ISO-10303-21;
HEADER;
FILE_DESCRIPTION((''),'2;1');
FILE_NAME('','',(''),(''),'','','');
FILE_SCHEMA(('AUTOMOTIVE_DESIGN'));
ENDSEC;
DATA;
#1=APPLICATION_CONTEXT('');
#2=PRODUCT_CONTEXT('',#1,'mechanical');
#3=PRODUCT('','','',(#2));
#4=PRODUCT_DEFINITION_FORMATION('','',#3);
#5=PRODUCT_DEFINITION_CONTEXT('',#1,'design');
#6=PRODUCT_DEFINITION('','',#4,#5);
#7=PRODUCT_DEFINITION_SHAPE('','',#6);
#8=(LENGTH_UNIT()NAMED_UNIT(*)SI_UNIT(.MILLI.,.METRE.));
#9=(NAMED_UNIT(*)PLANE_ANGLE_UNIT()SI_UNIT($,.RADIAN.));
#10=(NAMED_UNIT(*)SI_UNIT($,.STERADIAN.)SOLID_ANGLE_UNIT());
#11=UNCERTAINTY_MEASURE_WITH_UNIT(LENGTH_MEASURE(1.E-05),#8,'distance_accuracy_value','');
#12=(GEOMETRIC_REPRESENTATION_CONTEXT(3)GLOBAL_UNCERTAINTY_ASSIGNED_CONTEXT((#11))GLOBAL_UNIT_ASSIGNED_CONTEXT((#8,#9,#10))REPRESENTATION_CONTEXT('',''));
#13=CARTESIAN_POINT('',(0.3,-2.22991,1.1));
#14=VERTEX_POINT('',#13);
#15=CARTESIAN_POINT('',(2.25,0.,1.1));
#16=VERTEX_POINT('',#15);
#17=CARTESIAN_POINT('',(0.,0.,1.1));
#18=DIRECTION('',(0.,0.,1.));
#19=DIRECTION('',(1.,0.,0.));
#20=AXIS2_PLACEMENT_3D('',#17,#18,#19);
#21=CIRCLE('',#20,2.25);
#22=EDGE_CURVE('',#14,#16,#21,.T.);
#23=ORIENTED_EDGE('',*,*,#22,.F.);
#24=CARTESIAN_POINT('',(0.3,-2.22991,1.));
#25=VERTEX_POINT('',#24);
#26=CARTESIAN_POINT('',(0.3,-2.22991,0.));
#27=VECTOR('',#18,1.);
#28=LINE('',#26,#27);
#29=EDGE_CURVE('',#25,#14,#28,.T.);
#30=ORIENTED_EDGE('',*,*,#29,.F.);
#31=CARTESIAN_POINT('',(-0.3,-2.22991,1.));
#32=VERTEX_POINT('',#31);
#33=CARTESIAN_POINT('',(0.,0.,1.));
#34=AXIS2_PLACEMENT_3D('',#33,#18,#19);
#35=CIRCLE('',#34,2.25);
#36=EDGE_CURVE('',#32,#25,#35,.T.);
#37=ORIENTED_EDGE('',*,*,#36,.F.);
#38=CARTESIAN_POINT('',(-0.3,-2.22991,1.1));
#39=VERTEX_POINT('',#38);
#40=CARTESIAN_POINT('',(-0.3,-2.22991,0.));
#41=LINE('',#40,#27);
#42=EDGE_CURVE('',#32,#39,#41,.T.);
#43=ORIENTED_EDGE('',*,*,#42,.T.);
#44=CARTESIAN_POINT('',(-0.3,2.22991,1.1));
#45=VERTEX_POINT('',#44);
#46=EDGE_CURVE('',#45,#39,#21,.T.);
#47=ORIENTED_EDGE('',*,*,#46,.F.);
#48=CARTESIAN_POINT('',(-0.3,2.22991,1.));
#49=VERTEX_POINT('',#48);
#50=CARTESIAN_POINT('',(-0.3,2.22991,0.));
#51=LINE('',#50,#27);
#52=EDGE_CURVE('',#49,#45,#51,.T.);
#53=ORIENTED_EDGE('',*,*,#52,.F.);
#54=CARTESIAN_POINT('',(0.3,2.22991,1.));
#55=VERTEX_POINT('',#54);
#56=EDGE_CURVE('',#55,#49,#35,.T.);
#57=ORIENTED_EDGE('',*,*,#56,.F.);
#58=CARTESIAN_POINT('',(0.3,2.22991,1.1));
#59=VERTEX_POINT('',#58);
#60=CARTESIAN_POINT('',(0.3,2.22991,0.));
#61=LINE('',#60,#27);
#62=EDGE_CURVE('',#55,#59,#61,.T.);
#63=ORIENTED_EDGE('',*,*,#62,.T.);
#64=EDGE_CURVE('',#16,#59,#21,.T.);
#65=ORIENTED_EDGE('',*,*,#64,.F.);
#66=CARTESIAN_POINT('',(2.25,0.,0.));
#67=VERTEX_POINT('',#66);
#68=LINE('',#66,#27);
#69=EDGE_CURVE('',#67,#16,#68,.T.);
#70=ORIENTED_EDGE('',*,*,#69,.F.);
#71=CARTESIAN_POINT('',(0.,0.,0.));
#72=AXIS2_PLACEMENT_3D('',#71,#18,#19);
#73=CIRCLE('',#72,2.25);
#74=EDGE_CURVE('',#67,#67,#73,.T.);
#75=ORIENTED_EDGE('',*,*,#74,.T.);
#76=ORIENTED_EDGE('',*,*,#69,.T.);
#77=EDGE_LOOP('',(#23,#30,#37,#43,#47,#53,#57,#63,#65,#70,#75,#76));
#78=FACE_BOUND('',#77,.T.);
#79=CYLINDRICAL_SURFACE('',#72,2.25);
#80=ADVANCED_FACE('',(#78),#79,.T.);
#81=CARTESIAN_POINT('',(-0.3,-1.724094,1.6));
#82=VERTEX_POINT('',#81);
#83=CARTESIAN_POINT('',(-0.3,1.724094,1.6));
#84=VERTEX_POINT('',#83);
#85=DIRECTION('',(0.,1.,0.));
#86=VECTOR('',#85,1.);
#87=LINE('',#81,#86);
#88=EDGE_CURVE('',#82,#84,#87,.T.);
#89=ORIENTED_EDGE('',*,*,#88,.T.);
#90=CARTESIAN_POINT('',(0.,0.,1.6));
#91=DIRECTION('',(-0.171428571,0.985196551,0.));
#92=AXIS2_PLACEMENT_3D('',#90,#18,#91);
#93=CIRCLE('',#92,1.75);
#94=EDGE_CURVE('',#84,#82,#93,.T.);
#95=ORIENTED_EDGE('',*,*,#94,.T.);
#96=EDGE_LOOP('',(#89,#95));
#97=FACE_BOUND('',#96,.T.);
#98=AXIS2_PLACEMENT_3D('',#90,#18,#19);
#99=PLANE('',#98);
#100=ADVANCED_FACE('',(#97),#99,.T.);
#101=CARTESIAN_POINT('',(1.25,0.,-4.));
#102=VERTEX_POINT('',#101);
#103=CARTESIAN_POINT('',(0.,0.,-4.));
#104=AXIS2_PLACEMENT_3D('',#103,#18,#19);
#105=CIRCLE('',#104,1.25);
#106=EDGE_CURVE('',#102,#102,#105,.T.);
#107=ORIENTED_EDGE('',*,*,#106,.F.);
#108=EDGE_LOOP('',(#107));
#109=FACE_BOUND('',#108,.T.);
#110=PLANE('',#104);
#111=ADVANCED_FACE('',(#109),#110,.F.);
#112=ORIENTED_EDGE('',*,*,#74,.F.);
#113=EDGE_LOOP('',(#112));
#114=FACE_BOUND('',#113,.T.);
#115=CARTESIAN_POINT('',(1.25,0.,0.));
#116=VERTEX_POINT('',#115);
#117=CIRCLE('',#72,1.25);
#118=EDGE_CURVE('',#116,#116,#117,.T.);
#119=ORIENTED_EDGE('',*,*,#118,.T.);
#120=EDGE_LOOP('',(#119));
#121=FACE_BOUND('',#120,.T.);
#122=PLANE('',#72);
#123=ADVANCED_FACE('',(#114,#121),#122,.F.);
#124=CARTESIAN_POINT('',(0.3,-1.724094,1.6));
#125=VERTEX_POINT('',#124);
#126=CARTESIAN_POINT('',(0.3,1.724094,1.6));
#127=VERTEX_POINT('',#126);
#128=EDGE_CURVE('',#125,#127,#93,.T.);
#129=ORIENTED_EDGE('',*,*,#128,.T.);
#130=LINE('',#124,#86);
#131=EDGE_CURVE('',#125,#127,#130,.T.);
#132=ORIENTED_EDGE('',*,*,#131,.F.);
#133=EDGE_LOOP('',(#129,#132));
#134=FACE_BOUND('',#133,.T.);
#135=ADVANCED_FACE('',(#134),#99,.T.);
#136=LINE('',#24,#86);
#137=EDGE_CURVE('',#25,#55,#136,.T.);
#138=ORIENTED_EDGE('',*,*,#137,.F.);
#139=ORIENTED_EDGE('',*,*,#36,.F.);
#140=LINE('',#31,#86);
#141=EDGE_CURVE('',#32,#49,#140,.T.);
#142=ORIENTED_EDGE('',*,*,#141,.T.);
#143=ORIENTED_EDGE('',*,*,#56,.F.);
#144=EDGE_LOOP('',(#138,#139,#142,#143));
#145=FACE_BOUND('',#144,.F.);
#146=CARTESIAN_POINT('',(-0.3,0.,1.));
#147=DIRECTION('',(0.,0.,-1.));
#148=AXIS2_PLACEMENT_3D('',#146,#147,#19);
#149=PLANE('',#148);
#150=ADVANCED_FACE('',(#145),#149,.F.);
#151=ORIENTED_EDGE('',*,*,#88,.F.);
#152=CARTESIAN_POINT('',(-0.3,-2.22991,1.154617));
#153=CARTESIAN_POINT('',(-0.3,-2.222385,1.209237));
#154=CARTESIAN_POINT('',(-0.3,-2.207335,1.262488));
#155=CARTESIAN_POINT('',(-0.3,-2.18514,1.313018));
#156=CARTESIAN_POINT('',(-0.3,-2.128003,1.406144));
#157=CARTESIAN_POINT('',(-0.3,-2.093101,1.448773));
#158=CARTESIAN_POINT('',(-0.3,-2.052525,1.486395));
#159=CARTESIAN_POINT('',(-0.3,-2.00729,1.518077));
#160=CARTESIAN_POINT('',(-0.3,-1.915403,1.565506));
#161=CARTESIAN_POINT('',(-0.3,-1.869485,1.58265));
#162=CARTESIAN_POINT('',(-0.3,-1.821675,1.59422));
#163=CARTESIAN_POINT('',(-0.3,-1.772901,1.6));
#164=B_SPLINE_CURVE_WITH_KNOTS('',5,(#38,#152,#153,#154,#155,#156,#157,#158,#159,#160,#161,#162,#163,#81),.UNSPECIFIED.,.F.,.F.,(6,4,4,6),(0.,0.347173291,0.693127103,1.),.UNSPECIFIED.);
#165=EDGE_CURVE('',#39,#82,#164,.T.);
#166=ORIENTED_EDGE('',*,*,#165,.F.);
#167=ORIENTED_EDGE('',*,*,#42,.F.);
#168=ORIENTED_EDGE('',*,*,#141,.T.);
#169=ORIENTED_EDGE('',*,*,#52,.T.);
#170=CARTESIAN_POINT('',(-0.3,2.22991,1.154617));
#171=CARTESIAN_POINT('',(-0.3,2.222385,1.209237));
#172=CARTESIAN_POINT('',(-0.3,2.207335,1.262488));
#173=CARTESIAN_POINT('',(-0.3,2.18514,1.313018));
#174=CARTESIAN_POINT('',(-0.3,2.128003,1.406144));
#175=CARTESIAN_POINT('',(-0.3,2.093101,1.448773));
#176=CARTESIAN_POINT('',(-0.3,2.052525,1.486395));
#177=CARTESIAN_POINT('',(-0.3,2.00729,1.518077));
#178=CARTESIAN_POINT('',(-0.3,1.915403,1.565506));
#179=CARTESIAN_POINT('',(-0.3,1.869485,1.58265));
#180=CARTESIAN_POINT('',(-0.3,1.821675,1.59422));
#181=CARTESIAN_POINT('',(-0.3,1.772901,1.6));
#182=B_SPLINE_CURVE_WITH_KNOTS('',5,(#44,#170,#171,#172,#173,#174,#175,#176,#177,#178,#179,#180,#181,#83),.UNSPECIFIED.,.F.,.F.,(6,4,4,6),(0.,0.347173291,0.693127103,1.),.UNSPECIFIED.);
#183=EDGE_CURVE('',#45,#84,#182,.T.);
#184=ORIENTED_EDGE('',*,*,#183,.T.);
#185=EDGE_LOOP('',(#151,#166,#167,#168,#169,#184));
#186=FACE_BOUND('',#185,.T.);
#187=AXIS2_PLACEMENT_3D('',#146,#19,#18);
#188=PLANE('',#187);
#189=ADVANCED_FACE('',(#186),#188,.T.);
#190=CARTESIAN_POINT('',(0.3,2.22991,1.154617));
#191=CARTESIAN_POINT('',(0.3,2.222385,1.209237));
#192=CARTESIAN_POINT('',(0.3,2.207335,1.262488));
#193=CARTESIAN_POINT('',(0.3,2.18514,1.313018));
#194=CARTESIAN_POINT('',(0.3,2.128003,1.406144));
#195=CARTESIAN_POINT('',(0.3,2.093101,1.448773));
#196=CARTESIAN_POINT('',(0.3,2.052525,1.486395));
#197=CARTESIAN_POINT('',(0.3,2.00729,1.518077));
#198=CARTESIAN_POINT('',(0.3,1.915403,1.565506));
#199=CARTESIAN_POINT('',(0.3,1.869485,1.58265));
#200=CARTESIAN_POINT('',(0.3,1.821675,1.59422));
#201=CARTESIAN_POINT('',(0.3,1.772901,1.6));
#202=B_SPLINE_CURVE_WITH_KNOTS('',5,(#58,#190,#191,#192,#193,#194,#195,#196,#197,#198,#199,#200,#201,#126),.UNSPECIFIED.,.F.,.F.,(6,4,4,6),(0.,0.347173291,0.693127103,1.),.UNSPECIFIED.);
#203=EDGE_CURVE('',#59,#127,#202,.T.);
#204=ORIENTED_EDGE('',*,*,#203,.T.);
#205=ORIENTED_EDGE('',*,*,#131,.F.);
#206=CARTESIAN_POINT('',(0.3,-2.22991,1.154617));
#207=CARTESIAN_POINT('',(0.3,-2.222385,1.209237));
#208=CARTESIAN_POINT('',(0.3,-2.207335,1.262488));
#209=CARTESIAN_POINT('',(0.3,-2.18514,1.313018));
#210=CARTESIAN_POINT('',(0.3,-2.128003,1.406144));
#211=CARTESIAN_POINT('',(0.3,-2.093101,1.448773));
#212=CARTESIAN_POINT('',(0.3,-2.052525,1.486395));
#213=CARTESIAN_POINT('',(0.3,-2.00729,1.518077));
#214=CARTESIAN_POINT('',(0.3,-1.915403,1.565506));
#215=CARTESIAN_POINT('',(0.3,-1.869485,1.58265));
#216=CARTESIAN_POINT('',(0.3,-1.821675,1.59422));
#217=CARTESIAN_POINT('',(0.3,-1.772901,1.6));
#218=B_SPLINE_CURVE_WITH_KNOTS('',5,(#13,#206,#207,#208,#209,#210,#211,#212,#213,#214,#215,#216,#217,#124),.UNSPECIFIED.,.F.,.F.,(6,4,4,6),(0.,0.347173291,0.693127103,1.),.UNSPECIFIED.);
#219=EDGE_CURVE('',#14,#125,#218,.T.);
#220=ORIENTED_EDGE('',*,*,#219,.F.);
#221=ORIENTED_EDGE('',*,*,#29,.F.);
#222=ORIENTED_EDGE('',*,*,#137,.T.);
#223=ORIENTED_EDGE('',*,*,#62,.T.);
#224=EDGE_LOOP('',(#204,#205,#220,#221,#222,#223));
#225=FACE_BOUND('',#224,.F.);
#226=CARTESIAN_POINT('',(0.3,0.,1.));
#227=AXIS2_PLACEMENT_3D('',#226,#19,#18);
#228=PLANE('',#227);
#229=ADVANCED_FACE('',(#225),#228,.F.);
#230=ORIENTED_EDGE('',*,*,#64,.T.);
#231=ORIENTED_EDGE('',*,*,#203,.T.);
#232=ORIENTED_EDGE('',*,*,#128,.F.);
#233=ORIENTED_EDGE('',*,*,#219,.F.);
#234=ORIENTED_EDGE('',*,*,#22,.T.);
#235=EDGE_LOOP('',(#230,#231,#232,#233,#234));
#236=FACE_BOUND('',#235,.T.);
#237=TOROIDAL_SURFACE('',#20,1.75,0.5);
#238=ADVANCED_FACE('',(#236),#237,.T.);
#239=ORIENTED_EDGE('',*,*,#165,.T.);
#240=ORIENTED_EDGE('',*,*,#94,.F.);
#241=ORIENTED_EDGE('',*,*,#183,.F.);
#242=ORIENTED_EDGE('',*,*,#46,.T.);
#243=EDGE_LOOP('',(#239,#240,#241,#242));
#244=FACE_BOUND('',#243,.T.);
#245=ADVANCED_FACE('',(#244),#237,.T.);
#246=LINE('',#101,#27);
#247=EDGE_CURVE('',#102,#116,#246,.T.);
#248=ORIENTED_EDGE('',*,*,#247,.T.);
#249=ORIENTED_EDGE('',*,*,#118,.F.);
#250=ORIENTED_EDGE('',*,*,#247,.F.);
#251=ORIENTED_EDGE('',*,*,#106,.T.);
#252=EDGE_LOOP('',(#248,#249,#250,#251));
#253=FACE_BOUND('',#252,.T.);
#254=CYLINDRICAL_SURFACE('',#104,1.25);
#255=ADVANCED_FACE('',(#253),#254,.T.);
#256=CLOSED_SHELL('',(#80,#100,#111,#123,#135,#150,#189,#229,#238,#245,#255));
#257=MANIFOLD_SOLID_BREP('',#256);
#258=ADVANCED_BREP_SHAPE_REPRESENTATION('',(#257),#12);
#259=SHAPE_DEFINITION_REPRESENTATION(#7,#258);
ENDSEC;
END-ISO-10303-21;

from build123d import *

# Parameters (mm, degrees)
F2_W          = 0.6
F2_H          = 0.6
F3_DEPTH      = 2.251
F3_DEPTH_BACK = 2.251


with BuildPart() as f1:
    # F0 (on Front) → F1 (revolve)
    with BuildSketch(Plane.XZ):
        with BuildLine():
            Line((1.75, 1.6), (0, 1.6))
            Line((0, 1.6), (0, -4))
            Line((0, -4), (1.25, -4))
            Line((1.25, -4), (1.25, 0))
            Line((1.25, 0), (2.25, 0))
            Line((2.25, 0), (2.25, 1.1))
            ThreePointArc((2.25, 1.1), (2.1035533906, 1.4535533906), (1.75, 1.6))
        make_face()
    revolve(axis=Axis((0, 0, 1.6484611327), (0, 0, 1)))

    # F2 (on Front) → F3 (cut, two sides)
    with BuildSketch(Plane.XZ) as f3_sk:
        with Locations((0, 1.3)):
            Rectangle(F2_W, F2_H)
    extrude(amount=-F3_DEPTH, mode=Mode.SUBTRACT)
    extrude(f3_sk.sketch, amount=F3_DEPTH_BACK, mode=Mode.SUBTRACT)


solid = f1.part
